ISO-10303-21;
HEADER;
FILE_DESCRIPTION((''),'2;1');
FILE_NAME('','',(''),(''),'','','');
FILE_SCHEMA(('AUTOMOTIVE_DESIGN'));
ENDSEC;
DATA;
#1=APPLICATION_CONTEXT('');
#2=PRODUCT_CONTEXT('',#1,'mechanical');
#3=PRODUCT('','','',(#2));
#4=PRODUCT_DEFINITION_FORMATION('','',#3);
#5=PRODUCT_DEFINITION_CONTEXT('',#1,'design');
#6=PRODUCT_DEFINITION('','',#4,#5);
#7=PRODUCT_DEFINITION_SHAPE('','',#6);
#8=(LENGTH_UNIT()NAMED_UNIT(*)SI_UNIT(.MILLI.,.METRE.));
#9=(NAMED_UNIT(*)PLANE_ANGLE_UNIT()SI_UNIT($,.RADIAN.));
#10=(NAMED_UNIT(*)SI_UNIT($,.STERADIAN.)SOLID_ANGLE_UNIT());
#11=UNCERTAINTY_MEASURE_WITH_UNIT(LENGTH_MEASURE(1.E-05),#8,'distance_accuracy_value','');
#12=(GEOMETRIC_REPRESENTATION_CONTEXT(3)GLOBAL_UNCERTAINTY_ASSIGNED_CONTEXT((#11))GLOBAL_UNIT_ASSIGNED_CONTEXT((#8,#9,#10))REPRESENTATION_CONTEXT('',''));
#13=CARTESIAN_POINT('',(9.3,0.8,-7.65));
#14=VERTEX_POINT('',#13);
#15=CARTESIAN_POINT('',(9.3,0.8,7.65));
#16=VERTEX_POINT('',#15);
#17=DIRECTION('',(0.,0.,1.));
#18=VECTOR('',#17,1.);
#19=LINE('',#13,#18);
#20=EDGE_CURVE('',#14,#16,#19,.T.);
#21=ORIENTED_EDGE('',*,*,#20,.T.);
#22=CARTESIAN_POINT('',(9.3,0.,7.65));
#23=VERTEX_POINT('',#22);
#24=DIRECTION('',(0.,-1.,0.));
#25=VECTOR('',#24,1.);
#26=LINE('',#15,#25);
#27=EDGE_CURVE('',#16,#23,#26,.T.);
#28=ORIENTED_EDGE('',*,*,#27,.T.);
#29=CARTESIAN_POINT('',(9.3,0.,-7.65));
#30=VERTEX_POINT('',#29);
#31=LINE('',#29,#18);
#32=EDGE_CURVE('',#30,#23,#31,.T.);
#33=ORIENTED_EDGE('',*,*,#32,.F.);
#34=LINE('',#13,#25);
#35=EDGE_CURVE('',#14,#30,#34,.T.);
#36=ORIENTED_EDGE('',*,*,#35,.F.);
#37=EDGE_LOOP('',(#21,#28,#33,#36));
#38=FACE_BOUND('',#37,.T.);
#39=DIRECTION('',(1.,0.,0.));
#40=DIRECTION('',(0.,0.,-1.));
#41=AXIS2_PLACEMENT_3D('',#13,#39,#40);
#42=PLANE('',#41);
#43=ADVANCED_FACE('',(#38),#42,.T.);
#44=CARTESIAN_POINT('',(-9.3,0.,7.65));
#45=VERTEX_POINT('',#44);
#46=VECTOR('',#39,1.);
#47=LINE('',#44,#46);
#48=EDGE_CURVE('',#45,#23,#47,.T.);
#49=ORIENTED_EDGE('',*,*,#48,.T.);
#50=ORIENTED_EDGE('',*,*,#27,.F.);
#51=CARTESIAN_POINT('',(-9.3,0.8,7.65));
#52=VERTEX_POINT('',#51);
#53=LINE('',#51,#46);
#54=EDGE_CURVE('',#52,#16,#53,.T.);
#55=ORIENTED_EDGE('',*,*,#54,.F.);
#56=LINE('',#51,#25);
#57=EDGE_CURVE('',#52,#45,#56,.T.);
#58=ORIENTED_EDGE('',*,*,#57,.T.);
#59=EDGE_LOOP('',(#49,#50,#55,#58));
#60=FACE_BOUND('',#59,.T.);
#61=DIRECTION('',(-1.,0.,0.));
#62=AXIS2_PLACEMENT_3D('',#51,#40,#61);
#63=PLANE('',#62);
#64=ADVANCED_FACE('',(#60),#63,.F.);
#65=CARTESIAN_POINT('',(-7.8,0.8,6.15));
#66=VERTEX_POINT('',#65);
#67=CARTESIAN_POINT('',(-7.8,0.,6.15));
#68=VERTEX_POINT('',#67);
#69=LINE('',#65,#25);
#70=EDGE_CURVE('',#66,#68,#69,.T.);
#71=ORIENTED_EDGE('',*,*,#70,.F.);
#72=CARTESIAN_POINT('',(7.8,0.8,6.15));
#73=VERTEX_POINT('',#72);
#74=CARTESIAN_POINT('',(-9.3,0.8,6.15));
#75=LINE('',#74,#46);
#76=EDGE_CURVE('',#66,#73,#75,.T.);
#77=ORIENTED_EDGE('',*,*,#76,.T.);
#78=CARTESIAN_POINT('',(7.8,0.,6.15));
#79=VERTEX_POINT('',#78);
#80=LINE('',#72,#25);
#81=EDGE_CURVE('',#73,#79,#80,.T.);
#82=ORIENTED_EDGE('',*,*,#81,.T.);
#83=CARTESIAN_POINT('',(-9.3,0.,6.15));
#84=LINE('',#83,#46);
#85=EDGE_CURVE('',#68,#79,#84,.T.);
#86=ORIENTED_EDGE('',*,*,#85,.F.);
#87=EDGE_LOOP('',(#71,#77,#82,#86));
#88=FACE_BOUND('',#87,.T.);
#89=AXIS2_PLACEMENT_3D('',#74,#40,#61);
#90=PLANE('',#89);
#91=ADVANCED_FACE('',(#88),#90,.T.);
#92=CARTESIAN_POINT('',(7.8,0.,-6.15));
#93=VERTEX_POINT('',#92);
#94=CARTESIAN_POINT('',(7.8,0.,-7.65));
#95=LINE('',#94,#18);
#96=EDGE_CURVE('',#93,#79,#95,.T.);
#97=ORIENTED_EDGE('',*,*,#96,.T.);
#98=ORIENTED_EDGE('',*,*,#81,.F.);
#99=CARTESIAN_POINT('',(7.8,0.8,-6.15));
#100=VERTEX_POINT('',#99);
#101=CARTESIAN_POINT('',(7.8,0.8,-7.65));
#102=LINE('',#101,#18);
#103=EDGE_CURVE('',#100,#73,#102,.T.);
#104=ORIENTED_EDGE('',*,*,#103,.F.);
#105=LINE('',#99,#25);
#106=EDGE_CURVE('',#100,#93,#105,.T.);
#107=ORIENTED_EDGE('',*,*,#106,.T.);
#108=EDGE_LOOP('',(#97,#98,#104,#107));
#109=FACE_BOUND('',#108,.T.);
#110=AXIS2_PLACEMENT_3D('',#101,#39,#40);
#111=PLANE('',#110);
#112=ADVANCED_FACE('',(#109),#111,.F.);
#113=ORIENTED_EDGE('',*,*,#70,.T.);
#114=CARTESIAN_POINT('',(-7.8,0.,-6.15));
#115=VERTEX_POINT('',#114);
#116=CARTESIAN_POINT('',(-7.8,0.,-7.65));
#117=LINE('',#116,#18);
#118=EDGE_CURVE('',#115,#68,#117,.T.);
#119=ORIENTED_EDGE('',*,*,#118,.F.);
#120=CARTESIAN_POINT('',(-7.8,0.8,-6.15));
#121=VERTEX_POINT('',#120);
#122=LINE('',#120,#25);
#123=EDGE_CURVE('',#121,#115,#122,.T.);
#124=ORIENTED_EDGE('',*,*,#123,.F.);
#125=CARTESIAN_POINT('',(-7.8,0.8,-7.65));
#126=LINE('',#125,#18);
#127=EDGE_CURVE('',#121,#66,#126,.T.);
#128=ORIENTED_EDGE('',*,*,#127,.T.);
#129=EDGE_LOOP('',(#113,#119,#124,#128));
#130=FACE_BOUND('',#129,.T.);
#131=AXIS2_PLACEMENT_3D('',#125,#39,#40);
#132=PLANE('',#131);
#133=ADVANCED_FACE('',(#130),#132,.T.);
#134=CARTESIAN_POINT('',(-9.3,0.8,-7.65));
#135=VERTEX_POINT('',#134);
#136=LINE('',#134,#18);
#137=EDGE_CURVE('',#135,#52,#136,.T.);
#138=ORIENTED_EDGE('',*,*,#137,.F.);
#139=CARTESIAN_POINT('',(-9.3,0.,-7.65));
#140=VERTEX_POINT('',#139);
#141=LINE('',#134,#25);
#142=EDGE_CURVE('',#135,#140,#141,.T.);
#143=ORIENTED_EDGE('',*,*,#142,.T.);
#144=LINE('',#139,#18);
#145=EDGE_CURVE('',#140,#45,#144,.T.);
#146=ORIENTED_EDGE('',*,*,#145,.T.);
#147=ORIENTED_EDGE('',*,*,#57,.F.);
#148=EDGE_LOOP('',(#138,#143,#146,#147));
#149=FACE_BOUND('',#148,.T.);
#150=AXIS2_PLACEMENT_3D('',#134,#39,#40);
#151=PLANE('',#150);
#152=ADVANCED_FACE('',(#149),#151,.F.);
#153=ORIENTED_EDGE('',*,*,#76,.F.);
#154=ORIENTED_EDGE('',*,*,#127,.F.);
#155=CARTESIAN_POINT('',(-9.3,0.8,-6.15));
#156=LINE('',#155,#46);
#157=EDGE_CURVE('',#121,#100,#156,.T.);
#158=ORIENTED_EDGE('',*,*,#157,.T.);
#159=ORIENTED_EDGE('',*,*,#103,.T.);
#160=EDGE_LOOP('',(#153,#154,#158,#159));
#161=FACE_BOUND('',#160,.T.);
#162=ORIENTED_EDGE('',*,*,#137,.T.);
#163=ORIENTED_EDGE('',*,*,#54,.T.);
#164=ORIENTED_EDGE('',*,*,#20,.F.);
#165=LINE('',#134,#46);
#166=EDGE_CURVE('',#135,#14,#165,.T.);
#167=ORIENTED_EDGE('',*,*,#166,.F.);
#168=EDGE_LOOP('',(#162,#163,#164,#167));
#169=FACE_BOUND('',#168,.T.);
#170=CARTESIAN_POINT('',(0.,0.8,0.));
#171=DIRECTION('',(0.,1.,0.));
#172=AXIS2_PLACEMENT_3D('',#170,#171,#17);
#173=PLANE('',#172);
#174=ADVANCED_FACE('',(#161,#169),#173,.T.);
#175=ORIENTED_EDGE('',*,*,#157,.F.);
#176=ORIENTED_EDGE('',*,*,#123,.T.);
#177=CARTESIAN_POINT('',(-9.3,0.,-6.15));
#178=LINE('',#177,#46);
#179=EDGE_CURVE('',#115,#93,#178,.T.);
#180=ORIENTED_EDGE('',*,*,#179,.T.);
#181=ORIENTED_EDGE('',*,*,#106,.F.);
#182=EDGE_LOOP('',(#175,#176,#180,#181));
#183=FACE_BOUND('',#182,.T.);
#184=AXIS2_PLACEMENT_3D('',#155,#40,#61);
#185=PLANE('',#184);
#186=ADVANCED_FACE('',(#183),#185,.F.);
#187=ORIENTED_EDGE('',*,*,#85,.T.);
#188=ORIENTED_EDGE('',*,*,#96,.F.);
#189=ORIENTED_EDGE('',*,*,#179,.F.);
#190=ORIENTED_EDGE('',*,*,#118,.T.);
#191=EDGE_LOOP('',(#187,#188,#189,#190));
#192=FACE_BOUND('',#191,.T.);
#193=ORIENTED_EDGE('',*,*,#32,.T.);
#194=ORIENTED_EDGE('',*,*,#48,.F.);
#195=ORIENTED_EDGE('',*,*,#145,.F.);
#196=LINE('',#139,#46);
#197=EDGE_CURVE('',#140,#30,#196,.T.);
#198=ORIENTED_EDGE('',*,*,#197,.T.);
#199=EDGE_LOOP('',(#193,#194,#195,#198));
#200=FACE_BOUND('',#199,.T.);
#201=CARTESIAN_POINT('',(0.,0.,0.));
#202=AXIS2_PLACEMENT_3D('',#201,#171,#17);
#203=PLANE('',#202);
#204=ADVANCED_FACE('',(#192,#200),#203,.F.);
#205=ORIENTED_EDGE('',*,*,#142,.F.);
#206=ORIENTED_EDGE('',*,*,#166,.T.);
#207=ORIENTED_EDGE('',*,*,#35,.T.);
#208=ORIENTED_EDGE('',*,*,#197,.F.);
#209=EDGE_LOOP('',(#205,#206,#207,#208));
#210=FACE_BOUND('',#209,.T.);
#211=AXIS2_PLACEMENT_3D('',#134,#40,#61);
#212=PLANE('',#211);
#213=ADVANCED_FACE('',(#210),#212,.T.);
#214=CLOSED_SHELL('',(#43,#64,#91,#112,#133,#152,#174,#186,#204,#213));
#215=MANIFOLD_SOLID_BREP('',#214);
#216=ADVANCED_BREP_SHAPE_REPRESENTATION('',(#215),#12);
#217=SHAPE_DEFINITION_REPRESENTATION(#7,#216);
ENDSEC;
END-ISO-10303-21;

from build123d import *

# Parameters (mm, degrees)
SKETCH1_W           = 18.6
SKETCH1_H           = 15.3
SKETCH1_W_2         = 15.6
SKETCH1_H_2         = 12.3
EXTRUDE_THIN1_DEPTH = 0.8


with BuildPart() as part:
    # Sketch1 → Extrude-Thin1 (new body)
    with BuildSketch(Plane(origin=(0, 0, 0), x_dir=(1, 0, 0), z_dir=(0, 1, 0))):
        Rectangle(SKETCH1_W, SKETCH1_H)
        Rectangle(SKETCH1_W_2, SKETCH1_H_2, mode=Mode.SUBTRACT)
    extrude(amount=EXTRUDE_THIN1_DEPTH)


solid = part.part
